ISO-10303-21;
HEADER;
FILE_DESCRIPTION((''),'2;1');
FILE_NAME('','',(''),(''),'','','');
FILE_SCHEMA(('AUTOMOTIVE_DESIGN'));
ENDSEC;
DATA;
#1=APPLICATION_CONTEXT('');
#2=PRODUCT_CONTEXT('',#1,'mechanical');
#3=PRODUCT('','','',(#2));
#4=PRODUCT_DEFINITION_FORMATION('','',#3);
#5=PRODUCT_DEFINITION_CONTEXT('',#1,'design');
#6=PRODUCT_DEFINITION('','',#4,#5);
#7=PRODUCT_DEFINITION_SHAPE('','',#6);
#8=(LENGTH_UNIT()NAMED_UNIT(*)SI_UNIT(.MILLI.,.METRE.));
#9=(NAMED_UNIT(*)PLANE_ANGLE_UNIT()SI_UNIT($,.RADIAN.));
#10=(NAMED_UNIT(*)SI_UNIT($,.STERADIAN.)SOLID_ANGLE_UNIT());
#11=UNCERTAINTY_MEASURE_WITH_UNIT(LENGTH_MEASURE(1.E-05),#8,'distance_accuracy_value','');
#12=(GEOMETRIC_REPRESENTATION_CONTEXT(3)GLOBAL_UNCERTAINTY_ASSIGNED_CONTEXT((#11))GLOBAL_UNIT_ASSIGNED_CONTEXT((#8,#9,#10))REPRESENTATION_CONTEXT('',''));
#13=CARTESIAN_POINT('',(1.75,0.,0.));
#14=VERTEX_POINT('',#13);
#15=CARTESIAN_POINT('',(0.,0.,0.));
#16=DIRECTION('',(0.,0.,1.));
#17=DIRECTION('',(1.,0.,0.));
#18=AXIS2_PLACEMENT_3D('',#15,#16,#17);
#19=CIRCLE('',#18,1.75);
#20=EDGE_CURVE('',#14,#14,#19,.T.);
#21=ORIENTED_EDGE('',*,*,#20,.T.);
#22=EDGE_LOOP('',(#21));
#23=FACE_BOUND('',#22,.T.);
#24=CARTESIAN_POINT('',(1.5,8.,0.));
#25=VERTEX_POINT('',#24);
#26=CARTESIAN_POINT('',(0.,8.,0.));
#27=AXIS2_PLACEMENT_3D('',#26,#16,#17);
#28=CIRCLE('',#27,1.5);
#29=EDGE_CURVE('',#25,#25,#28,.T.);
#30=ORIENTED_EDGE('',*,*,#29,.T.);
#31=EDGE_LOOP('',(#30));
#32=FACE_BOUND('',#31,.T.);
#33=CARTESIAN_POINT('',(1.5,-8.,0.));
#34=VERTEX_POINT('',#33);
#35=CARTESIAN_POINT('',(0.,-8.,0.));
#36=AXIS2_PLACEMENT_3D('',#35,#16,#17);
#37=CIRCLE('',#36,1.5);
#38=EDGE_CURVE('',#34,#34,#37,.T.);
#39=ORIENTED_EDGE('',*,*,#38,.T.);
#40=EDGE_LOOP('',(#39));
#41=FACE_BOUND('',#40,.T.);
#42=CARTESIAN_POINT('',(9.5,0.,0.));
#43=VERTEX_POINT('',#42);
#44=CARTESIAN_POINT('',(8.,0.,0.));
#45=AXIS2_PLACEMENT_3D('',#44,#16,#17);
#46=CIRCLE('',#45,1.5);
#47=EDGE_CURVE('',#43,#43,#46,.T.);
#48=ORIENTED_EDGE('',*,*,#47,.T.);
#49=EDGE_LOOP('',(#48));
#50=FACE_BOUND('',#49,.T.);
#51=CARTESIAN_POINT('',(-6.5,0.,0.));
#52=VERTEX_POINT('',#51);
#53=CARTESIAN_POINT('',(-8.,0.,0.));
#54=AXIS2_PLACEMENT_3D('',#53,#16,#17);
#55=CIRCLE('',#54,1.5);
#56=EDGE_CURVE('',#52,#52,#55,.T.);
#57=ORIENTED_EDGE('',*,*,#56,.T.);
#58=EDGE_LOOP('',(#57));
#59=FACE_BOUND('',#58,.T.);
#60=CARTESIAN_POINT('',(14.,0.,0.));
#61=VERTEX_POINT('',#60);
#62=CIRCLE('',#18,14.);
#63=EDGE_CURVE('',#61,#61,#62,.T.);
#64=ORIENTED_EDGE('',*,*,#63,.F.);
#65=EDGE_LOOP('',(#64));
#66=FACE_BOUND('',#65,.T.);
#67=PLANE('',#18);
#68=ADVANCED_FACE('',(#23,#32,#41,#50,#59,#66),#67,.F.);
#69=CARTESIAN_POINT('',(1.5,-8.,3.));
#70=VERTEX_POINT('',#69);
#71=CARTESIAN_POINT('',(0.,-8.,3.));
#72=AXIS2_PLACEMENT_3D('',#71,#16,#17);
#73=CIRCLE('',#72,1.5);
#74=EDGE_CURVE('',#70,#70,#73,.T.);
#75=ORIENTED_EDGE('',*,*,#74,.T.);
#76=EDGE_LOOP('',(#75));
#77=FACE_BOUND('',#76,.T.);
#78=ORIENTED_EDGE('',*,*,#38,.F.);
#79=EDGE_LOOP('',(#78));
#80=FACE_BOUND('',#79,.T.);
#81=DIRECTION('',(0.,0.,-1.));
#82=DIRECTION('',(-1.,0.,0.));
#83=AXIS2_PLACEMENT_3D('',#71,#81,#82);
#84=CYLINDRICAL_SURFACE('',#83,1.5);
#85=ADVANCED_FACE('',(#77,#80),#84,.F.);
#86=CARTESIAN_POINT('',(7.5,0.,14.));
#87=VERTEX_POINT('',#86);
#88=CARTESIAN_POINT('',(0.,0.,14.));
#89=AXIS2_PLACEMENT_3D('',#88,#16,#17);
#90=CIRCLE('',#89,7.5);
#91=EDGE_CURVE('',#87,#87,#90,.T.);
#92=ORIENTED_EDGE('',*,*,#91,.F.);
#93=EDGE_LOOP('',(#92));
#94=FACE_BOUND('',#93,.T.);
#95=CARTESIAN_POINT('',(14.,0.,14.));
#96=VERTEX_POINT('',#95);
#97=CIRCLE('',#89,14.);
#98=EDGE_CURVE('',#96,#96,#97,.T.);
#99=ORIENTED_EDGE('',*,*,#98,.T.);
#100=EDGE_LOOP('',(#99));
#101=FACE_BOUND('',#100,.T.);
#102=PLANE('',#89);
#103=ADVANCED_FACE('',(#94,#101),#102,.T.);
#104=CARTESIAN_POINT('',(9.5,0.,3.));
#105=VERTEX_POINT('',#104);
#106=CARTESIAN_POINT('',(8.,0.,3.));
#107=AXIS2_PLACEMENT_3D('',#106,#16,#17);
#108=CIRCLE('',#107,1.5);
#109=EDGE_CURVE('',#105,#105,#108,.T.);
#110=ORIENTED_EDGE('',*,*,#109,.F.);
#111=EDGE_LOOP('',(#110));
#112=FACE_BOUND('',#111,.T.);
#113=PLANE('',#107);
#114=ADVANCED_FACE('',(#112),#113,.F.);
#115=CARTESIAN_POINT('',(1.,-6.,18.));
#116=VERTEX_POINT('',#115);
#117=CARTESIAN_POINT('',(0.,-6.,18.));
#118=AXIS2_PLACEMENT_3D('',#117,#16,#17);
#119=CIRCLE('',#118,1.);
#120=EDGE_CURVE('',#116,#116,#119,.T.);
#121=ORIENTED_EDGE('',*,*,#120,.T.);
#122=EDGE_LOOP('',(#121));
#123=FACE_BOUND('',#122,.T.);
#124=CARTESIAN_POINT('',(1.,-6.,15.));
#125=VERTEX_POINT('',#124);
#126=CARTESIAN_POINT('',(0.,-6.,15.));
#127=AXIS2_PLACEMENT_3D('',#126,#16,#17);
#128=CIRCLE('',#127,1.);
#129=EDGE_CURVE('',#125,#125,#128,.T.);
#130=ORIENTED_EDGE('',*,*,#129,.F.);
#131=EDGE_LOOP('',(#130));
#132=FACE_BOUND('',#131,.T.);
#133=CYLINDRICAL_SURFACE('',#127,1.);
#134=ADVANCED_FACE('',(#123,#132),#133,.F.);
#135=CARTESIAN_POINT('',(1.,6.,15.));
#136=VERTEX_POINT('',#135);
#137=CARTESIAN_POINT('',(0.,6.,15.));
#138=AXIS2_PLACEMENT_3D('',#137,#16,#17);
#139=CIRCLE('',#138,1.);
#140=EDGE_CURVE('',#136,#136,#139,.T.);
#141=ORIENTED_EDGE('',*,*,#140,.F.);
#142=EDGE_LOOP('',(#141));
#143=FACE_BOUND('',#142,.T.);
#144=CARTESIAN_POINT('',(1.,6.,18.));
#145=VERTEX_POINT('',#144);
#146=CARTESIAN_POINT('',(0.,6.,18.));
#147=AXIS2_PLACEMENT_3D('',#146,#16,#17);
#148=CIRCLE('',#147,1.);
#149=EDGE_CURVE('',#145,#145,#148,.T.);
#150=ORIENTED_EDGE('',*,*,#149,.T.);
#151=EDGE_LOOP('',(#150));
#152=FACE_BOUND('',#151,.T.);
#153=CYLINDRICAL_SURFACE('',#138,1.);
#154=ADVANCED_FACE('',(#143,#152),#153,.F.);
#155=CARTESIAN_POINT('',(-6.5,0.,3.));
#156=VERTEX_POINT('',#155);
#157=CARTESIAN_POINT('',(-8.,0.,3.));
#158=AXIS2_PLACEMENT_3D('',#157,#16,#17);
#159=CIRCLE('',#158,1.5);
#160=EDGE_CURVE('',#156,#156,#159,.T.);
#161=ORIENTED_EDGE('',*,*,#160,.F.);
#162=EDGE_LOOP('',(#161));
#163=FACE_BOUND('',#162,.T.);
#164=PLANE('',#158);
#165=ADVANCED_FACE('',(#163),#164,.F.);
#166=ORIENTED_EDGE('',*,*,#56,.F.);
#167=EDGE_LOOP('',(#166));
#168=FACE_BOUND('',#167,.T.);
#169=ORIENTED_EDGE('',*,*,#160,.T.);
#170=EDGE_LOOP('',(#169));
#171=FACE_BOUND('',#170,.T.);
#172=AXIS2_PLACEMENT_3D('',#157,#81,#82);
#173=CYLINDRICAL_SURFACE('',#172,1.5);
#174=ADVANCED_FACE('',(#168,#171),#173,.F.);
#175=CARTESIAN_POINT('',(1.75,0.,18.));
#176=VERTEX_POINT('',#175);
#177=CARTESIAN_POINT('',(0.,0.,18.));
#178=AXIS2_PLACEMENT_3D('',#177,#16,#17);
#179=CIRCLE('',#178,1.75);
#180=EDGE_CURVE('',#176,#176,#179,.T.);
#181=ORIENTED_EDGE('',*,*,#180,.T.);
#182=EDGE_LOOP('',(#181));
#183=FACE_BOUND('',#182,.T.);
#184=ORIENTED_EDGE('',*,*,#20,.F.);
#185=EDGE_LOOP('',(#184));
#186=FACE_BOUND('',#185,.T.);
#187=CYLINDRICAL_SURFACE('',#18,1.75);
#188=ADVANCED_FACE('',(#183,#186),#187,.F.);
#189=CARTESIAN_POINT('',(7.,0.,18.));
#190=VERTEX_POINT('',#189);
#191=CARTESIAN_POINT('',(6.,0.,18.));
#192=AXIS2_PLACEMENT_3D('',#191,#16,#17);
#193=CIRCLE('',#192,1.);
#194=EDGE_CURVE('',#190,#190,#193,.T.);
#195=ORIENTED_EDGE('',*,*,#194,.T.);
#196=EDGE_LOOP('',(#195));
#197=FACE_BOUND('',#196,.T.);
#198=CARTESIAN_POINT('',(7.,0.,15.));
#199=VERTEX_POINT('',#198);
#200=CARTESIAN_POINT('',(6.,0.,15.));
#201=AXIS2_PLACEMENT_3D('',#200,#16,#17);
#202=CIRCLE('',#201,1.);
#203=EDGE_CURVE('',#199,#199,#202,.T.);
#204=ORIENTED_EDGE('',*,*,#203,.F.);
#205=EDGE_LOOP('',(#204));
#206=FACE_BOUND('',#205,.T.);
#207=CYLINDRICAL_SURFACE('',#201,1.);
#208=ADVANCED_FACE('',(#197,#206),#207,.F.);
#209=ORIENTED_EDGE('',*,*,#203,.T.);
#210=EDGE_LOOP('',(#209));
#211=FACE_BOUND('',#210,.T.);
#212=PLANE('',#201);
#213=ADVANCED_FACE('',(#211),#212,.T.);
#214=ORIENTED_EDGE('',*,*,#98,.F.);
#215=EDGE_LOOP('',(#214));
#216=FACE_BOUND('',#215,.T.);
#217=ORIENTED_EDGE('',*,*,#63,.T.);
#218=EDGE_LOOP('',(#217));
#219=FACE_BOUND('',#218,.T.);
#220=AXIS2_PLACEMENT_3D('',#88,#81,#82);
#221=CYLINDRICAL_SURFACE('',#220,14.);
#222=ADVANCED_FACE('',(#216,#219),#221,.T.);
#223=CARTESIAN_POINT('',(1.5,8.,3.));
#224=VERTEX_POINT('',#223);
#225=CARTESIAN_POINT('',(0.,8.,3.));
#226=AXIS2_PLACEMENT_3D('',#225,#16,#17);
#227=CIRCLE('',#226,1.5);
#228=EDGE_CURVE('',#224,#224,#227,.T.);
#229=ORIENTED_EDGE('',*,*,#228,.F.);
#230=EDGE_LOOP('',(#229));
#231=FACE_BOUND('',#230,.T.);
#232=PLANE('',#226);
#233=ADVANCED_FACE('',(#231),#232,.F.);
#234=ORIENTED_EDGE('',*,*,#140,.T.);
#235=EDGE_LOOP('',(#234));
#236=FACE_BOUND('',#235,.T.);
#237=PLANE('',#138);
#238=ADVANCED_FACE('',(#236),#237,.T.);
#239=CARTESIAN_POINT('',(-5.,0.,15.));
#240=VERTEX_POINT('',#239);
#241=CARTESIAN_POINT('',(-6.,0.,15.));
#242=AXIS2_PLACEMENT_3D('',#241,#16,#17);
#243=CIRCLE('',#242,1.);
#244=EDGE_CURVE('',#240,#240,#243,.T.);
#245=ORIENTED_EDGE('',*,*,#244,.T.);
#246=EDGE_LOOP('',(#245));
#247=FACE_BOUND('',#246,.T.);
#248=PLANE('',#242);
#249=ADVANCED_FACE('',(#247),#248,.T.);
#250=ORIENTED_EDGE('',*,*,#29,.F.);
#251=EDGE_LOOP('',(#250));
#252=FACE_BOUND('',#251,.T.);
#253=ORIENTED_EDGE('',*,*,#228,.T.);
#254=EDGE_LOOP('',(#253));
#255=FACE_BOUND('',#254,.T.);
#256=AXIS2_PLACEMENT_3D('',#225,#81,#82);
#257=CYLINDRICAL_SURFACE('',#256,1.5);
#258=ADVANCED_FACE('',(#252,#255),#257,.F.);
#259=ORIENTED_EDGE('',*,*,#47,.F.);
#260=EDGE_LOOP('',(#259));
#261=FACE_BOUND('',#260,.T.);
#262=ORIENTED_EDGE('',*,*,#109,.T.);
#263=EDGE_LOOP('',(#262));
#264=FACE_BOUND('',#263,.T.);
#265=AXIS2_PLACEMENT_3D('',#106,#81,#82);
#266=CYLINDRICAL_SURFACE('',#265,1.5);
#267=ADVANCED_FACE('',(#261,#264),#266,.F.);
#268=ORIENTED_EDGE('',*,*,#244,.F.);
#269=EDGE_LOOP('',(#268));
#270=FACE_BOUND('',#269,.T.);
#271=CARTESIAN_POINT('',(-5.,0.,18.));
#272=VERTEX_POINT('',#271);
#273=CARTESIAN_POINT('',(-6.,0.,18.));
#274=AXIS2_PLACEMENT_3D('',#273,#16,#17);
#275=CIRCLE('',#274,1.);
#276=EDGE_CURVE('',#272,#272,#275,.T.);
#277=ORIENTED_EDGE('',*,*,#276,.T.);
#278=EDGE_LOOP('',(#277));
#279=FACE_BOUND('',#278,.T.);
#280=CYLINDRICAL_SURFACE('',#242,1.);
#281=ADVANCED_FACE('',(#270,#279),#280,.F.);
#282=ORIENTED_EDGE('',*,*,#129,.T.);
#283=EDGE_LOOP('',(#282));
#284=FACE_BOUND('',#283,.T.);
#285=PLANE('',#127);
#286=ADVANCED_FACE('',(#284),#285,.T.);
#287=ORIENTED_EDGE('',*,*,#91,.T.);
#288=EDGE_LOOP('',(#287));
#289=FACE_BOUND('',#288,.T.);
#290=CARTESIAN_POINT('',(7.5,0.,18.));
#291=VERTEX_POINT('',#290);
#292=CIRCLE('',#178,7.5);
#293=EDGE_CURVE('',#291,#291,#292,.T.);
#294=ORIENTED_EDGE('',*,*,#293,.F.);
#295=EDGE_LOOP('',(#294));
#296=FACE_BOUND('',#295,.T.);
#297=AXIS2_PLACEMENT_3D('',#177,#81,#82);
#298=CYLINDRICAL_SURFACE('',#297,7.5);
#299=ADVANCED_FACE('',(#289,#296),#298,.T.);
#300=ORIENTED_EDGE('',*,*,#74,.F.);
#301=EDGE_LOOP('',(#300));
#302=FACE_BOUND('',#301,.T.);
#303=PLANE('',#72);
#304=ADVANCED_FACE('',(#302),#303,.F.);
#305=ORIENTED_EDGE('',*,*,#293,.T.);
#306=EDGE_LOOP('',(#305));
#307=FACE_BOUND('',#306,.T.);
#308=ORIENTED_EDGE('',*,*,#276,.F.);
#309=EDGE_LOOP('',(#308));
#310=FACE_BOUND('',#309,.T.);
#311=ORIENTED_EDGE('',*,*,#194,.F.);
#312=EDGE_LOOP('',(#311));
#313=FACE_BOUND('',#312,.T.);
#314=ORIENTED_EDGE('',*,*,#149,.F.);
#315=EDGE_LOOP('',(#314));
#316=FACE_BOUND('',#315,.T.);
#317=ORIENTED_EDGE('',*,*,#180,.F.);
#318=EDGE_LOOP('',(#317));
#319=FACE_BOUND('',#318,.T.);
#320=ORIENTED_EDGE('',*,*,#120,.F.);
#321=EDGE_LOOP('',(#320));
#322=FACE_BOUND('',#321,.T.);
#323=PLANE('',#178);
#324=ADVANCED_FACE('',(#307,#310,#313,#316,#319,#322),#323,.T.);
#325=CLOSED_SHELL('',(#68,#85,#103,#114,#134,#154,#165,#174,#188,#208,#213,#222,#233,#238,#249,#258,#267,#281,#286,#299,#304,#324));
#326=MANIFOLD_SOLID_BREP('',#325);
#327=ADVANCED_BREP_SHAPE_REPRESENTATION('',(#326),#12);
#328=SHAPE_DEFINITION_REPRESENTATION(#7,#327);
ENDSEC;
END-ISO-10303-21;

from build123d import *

# Parameters (mm, degrees)
SKETCH_1_R          = 14
EXTRUDE_1_DEPTH     = 14
SKETCH_3_R          = 7.5
EXTRUDE_3_DEPTH     = 4
SKETCH_4_R          = 1.75
CUT_EXTRUDE_1_DEPTH = 27.758176321
SKETCH_5_R          = 1
CUT_EXTRUDE_2_DEPTH = 3
SKETCH_6_R          = 1.5
CUT_EXTRUDE_3_DEPTH = 3


with BuildPart() as part:
    # 草图1 → 凸台-拉伸1 (new body)
    with BuildSketch(Plane.XY):
        Circle(SKETCH_1_R)
    extrude(amount=EXTRUDE_1_DEPTH)

    # 草图3 → 凸台-拉伸3 (add)
    with BuildSketch(Plane.XY.offset(14)):
        Circle(SKETCH_3_R)
    extrude(amount=EXTRUDE_3_DEPTH)

    # 草图4 → 切除-拉伸1 (cut, through all)
    with BuildSketch(Plane.XY.offset(18)):
        Circle(SKETCH_4_R)
    extrude(amount=-CUT_EXTRUDE_1_DEPTH, mode=Mode.SUBTRACT)

    # 草图5 → 切除-拉伸2 (cut)
    with BuildSketch(Plane.XY.offset(18)):
        with Locations((0, -6)):
            Circle(SKETCH_5_R)
        with Locations((-6, 0)):
            Circle(SKETCH_5_R)
        with Locations((0, 6)):
            Circle(SKETCH_5_R)
        with Locations((6, 0)):
            Circle(SKETCH_5_R)
    extrude(amount=-CUT_EXTRUDE_2_DEPTH, mode=Mode.SUBTRACT)

    # 草图6 → 切除-拉伸3 (cut)
    with BuildSketch(Plane.XY):
        with Locations((0, 8)):
            Circle(SKETCH_6_R)
        with Locations((-8, 0)):
            Circle(SKETCH_6_R)
        with Locations((0, -8)):
            Circle(SKETCH_6_R)
        with Locations((8, 0)):
            Circle(SKETCH_6_R)
    extrude(amount=CUT_EXTRUDE_3_DEPTH, mode=Mode.SUBTRACT)


solid = part.part
